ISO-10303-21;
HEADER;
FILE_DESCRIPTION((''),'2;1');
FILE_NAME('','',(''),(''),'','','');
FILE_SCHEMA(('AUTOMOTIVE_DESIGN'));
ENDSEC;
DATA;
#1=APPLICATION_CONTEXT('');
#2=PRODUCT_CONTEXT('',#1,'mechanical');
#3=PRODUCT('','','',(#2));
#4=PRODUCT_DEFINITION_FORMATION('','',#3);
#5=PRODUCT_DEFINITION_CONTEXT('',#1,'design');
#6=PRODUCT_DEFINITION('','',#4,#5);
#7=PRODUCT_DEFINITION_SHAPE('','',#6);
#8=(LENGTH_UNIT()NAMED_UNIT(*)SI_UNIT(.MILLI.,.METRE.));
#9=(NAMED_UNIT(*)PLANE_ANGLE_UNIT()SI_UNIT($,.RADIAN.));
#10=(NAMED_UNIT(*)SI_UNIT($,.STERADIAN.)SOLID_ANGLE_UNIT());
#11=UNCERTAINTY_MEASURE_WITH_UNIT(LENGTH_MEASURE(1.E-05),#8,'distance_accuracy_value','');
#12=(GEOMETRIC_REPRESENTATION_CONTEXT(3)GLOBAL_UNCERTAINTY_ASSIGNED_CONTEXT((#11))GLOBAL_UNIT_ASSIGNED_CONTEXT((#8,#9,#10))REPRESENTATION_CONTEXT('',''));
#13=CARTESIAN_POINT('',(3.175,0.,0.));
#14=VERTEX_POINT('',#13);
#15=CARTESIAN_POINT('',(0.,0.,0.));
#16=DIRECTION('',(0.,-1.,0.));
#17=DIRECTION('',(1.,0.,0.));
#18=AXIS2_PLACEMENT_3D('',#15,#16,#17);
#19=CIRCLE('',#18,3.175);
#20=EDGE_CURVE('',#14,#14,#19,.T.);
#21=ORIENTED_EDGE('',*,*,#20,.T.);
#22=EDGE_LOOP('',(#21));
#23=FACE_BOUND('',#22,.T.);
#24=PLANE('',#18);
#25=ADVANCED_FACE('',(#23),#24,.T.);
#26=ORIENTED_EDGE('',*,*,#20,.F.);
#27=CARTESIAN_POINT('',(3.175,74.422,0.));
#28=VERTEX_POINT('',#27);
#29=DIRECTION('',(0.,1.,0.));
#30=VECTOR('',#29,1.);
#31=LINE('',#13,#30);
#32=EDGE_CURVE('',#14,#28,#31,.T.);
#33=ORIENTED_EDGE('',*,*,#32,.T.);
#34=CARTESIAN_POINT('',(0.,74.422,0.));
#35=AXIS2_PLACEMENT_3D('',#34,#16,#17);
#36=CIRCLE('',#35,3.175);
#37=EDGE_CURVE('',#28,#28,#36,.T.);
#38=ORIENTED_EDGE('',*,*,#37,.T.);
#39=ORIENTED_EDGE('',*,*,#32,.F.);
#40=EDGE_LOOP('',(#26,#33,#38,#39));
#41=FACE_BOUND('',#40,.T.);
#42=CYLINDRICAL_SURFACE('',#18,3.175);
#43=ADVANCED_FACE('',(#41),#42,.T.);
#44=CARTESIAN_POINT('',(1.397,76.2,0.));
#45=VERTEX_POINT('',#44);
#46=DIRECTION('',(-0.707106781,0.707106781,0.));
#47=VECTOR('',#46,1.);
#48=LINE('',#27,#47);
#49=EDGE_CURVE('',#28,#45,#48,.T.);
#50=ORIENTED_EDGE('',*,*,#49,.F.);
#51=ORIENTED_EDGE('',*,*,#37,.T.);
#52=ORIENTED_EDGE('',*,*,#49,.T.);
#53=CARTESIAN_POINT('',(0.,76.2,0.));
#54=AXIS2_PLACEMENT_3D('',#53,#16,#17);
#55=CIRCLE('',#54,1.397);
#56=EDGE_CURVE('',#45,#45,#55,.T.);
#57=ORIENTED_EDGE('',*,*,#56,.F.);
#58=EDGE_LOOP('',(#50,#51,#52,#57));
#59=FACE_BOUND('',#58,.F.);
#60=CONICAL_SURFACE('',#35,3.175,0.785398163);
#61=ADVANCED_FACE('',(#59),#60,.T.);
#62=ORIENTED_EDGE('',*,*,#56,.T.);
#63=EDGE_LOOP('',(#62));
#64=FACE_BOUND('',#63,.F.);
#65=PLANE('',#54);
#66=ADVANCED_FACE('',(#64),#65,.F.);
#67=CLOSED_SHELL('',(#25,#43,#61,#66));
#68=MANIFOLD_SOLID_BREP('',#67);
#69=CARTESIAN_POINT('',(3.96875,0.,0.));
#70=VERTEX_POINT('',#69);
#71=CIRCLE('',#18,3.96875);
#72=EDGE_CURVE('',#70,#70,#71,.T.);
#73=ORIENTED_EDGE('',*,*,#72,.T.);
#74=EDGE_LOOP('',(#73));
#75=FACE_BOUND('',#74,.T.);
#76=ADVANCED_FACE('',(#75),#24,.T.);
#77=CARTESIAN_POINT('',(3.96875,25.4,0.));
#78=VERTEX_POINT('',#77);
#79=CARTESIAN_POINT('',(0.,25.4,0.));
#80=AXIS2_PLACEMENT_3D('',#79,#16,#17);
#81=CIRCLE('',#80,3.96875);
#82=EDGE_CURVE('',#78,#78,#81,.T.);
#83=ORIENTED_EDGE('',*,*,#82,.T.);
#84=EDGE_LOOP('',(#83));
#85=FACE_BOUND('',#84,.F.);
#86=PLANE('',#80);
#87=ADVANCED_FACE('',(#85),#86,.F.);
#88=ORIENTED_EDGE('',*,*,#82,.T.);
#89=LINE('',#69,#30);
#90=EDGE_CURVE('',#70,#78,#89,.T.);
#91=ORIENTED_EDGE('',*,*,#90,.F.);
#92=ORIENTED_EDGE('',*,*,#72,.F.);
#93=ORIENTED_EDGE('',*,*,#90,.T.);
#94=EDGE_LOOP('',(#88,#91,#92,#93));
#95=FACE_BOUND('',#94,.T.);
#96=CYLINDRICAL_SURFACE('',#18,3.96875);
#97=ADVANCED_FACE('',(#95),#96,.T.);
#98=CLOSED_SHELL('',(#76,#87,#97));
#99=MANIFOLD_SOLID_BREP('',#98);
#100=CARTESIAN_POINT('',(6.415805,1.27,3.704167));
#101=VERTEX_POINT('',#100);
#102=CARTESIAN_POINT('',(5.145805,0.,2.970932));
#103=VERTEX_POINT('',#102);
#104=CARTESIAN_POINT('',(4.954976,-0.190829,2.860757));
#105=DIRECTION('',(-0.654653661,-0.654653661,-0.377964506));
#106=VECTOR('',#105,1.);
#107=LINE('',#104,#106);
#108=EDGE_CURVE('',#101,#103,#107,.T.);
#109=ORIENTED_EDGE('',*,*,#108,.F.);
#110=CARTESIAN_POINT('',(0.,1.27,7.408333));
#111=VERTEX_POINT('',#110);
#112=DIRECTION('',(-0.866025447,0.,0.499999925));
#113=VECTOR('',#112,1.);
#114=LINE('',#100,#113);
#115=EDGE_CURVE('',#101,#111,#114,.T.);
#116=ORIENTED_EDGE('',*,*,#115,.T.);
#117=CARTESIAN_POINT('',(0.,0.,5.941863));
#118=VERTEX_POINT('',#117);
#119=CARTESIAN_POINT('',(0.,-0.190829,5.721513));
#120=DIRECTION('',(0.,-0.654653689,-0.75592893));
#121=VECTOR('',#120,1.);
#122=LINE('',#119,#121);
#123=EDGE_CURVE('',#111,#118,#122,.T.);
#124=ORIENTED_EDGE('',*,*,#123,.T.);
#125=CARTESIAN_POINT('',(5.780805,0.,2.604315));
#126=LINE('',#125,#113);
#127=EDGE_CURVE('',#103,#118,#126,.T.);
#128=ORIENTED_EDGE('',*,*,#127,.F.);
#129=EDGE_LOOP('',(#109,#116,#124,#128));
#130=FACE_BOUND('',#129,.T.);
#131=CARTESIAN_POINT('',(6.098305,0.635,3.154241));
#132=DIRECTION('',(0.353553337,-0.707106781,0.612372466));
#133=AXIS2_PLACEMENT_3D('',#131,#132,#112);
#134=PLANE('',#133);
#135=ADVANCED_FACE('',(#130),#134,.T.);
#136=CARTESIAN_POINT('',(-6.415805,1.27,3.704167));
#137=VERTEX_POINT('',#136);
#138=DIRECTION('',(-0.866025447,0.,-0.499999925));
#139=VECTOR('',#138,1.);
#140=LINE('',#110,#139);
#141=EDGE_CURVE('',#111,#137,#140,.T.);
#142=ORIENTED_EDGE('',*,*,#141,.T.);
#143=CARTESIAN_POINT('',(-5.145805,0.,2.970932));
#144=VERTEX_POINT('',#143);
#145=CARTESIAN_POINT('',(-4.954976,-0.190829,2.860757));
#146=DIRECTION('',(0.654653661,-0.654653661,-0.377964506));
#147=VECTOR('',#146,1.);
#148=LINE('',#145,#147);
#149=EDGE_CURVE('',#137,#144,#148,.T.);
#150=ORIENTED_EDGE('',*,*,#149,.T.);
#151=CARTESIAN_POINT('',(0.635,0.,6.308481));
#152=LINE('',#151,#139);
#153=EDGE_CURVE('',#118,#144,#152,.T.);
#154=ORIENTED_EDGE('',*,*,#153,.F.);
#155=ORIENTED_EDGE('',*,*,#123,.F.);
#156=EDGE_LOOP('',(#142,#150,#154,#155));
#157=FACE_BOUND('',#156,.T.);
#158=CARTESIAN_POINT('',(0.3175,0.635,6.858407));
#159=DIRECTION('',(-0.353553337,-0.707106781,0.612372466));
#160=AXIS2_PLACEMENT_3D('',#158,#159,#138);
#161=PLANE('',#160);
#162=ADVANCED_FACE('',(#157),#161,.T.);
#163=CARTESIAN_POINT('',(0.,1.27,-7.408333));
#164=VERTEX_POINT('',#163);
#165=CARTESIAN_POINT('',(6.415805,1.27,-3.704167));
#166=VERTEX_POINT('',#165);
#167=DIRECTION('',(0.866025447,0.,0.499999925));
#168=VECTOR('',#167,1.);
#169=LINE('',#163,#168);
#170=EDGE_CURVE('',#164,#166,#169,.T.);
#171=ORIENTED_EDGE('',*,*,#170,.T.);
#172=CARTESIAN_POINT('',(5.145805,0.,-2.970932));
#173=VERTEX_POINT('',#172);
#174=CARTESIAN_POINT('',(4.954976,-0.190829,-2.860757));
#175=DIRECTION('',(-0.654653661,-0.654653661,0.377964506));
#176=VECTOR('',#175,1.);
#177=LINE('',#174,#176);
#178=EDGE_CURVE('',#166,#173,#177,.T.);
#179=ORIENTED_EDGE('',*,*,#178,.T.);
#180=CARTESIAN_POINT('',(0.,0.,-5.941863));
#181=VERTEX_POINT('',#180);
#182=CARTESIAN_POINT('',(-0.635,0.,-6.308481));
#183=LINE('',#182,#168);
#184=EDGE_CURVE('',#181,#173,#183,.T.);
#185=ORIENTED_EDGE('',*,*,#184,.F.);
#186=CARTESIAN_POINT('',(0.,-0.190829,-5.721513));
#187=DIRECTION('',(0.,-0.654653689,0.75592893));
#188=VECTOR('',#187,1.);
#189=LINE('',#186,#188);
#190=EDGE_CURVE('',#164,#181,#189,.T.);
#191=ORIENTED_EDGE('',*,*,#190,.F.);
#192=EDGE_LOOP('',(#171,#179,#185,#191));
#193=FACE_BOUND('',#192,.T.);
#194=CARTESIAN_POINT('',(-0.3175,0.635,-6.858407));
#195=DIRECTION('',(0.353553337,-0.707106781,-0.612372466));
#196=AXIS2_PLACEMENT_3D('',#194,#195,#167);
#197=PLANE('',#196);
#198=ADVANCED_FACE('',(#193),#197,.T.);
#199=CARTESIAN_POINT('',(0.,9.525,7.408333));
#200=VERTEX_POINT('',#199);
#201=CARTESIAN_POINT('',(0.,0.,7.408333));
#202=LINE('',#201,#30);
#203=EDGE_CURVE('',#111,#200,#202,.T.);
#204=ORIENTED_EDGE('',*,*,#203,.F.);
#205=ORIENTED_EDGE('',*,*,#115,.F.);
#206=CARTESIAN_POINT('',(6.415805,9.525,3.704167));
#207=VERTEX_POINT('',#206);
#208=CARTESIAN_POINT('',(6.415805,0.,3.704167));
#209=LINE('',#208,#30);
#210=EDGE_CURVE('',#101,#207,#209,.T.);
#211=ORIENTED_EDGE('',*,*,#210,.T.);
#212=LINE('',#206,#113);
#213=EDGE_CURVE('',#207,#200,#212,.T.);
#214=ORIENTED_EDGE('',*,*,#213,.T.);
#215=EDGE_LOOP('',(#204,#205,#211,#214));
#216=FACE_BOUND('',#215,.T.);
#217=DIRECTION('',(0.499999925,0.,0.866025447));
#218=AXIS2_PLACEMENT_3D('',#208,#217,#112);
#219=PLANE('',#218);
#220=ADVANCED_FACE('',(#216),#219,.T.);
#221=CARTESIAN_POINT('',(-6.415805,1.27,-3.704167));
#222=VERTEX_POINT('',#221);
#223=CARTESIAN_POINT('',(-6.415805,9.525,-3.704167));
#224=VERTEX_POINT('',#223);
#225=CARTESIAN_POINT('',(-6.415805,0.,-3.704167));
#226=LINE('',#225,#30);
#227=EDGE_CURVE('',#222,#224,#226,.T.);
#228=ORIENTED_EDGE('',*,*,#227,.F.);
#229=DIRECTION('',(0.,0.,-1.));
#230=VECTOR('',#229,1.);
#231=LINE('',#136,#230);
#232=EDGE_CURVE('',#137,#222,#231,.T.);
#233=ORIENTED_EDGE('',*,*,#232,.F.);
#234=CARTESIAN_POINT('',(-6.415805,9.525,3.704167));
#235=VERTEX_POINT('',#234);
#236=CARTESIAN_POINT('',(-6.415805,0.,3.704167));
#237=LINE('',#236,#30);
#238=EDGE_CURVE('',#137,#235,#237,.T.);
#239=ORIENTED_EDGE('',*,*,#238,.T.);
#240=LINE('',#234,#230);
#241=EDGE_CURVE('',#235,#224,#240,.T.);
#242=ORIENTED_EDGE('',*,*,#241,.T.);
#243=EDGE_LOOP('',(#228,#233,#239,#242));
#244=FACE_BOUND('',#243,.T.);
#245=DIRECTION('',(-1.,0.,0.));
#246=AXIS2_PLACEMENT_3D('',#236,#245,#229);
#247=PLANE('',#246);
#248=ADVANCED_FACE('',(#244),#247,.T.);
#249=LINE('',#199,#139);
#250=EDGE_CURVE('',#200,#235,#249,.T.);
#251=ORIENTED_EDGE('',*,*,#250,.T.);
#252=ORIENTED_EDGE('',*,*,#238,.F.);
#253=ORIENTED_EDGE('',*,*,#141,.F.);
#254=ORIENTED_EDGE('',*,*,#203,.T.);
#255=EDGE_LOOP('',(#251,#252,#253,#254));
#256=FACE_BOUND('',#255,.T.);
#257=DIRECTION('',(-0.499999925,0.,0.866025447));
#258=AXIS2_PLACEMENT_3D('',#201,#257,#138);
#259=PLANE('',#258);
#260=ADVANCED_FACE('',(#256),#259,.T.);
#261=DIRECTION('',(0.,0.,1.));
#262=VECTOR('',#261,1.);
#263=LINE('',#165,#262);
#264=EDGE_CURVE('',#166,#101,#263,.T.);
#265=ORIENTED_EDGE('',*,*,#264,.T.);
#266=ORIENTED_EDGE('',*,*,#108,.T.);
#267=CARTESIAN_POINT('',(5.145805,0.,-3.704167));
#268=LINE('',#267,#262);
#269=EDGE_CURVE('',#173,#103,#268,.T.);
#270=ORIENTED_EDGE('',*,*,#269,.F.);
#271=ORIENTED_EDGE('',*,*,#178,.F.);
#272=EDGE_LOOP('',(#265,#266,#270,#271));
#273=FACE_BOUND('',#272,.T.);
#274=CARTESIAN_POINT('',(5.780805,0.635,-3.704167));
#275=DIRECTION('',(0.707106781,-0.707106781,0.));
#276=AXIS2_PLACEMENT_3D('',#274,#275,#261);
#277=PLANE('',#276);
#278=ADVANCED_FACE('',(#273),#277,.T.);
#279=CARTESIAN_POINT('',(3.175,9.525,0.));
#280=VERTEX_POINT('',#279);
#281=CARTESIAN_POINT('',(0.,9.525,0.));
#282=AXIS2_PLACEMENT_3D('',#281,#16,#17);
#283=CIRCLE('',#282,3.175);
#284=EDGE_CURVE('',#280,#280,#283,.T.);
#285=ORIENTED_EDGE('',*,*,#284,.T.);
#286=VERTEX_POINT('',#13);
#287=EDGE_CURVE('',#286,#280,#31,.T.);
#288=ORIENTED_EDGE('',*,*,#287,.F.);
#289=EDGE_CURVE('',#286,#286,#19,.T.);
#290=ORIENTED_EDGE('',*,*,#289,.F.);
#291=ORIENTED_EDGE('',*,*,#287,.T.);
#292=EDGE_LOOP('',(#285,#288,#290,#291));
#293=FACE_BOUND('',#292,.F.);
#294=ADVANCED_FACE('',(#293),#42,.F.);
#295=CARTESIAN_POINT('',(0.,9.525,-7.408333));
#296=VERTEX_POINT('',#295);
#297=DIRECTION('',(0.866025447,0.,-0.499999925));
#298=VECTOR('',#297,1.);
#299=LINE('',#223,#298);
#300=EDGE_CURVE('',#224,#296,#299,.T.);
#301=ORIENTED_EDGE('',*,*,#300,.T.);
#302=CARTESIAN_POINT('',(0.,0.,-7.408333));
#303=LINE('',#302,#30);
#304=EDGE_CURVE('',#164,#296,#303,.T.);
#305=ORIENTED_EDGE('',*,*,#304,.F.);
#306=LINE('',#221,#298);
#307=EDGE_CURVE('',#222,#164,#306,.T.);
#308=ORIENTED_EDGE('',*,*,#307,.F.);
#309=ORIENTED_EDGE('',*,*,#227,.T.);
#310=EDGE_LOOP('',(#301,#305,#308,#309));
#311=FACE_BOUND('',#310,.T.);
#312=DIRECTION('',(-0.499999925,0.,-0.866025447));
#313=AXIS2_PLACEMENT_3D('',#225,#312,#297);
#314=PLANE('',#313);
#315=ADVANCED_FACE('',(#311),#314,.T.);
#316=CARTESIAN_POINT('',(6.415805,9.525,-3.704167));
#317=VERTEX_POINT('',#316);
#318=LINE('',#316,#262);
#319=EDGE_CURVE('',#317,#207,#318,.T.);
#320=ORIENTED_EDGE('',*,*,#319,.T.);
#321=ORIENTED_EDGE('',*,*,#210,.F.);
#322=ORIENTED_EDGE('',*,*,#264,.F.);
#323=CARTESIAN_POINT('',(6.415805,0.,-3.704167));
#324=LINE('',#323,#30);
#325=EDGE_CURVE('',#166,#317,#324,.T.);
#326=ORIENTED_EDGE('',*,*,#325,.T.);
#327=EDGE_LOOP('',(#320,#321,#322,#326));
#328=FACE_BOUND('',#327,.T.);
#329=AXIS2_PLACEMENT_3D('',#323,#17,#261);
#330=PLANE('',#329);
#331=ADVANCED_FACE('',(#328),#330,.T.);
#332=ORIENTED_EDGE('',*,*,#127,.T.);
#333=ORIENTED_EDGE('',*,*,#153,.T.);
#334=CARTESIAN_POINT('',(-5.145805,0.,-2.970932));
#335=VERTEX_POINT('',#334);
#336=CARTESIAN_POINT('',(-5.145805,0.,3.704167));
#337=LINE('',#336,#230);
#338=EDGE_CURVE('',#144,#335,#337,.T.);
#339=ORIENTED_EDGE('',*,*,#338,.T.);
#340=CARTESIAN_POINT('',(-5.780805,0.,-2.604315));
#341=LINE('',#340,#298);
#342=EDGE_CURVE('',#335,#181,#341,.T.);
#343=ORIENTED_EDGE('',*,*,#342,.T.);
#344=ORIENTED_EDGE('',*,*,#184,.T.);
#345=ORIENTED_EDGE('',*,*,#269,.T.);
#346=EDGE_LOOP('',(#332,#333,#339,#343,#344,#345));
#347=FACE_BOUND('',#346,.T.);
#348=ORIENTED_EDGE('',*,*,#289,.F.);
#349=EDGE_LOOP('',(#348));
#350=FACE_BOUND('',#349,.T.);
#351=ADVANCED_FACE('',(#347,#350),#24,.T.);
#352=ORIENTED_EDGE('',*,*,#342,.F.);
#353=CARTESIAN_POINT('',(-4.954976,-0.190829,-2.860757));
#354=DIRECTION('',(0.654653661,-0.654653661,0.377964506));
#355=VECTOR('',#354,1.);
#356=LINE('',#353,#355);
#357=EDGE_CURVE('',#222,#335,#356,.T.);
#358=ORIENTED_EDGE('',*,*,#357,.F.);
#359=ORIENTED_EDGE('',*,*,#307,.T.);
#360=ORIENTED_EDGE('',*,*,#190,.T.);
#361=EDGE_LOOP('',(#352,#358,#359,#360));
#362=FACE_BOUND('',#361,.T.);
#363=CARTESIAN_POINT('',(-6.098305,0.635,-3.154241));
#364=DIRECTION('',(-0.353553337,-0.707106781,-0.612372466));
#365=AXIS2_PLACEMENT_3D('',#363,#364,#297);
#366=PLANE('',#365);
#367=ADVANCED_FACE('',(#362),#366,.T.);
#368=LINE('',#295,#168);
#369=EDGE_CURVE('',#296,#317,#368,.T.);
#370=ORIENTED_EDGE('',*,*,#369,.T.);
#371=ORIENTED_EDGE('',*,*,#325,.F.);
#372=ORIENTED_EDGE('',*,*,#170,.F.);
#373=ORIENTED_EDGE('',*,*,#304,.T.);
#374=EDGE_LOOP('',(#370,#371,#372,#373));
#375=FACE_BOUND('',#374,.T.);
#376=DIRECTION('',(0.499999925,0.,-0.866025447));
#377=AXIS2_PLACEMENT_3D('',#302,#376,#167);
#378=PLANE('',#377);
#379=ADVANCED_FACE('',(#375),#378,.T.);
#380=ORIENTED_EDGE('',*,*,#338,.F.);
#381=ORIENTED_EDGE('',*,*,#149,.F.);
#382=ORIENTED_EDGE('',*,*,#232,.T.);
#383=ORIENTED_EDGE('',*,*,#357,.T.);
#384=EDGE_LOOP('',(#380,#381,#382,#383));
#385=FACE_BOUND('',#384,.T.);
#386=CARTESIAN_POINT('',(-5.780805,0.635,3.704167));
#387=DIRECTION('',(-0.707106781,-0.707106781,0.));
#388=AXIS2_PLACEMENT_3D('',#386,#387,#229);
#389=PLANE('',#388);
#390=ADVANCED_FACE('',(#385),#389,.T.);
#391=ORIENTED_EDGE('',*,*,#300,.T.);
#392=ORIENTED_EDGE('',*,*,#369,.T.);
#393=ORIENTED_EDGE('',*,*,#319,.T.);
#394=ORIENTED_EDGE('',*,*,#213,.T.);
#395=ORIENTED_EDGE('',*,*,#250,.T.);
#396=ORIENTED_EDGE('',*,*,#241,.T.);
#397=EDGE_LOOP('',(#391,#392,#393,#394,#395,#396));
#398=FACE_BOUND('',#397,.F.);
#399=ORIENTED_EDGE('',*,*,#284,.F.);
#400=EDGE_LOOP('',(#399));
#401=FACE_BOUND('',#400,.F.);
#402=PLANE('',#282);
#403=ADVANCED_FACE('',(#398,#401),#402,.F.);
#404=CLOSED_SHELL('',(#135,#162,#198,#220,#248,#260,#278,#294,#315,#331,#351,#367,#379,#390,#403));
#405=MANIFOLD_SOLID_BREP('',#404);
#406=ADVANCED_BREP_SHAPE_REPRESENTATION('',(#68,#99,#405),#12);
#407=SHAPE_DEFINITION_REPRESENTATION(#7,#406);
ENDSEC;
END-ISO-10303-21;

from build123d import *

# Parameters (mm, degrees)
F0_R     = 3.175
F1_DEPTH = 76.2
F2_DEPTH = 9.525
F3_SIZE  = 1.27
F4_R     = 3.96875
F5_DEPTH = 25.4
F6_SIZE  = 1.778


with BuildPart() as f1:
    # F0 (on Front) → F1 (new body)
    with BuildSketch(Plane.XZ):
        Circle(F0_R)
    extrude(amount=-F1_DEPTH)

    # F6
    f6_edges = [f1.edges().sort_by_distance(p)[0] for p in [
        (-3.175, 76.2, 0),
    ]]
    chamfer(f6_edges, length=F6_SIZE)


with BuildPart() as f2:
    # F0 (on Front) → F2 (new body)
    with BuildSketch(Plane.XZ):
        Polygon((6.415805, -3.704167), (6.415805, 3.704167), (0, 7.408333), (-6.415805, 3.704167), (-6.415805, -3.704167), (0, -7.408333), align=None)
        Circle(F0_R, mode=Mode.SUBTRACT)
    extrude(amount=-F2_DEPTH)

    # F3
    f3_edges = [f2.edges().sort_by_distance(p)[0] for p in [
        (-6.415805, 0, 0),
        (-3.207902, 0, -5.55625),
        (3.207902, 0, -5.55625),
        (6.415805, 0, 0),
        (3.207902, 0, 5.55625),
        (-3.207902, 0, 5.55625),
    ]]
    chamfer(f3_edges, length=F3_SIZE)


with BuildPart() as f5:
    # F4 (on Front) → F5 (new body)
    with BuildSketch(Plane.XZ):
        Circle(F4_R)
    extrude(amount=-F5_DEPTH)


solid = Compound([f1.part, f2.part, f5.part])
